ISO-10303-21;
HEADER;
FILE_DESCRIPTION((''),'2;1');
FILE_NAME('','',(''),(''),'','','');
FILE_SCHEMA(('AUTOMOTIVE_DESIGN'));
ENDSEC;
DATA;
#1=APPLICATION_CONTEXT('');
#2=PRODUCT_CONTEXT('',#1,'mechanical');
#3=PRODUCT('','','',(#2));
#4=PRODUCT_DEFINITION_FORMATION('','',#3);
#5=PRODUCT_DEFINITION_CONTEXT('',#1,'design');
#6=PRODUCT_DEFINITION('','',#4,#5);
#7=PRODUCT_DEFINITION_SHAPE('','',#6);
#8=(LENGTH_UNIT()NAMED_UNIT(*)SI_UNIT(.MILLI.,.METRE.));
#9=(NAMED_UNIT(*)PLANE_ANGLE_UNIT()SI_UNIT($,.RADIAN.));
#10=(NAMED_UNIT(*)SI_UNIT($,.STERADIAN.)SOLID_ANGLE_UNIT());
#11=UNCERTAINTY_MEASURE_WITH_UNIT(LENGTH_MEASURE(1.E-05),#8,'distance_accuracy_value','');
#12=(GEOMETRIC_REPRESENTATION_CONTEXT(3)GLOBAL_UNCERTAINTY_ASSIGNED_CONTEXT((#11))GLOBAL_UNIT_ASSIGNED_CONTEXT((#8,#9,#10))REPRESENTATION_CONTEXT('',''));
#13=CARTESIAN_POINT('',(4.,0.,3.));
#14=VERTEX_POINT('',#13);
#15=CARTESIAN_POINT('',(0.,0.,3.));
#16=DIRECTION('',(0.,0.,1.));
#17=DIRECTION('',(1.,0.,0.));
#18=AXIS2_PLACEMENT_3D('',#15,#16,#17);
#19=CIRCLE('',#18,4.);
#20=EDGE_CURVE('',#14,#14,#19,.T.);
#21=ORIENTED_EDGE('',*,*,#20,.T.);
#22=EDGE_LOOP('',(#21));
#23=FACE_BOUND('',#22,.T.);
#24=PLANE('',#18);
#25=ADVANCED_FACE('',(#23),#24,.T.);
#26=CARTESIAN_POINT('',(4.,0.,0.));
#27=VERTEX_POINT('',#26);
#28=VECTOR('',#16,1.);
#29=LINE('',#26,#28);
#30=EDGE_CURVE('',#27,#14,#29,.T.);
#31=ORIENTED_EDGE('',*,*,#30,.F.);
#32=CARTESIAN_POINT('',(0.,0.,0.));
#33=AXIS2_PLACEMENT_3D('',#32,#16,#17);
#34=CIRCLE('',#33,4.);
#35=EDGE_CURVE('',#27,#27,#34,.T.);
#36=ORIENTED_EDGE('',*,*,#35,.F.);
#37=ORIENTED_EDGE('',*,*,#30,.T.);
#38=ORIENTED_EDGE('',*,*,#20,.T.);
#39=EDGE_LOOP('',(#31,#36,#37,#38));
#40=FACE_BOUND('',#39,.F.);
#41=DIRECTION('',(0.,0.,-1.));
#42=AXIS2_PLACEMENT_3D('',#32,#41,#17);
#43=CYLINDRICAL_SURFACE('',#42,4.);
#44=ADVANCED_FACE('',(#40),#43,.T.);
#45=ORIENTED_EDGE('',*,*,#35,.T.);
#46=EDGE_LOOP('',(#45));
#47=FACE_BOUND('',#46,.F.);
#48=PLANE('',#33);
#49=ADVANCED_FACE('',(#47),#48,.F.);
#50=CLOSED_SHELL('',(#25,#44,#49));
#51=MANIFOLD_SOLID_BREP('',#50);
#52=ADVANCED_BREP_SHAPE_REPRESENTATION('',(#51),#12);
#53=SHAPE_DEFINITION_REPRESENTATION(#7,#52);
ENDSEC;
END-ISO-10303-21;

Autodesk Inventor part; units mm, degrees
ref_plane "YZ Plane" through (0, 0, 0) normal (1, 0, 0) x (0, 1, 0)
ref_plane "XZ Plane" through (0, 0, 0) normal (0, 1, 0) x (-1, 0, 0)
ref_plane "XY Plane" through (0, 0, 0) normal (0, 0, 1) x (1, 0, 0)
sketch "Sketch1" plane through (0, 0, 0) normal (0, 0, 1) x (1, 0, 0)
  circle A0 centre (0, 0) radius 4
  dimension "d0" = 8
  dimension "d0" = 8
extrude "Extrusion1" add sketch "Sketch1" along normal blind 3
properties part number "Imán 3x8" material "Aluminum 6061-AHC"
